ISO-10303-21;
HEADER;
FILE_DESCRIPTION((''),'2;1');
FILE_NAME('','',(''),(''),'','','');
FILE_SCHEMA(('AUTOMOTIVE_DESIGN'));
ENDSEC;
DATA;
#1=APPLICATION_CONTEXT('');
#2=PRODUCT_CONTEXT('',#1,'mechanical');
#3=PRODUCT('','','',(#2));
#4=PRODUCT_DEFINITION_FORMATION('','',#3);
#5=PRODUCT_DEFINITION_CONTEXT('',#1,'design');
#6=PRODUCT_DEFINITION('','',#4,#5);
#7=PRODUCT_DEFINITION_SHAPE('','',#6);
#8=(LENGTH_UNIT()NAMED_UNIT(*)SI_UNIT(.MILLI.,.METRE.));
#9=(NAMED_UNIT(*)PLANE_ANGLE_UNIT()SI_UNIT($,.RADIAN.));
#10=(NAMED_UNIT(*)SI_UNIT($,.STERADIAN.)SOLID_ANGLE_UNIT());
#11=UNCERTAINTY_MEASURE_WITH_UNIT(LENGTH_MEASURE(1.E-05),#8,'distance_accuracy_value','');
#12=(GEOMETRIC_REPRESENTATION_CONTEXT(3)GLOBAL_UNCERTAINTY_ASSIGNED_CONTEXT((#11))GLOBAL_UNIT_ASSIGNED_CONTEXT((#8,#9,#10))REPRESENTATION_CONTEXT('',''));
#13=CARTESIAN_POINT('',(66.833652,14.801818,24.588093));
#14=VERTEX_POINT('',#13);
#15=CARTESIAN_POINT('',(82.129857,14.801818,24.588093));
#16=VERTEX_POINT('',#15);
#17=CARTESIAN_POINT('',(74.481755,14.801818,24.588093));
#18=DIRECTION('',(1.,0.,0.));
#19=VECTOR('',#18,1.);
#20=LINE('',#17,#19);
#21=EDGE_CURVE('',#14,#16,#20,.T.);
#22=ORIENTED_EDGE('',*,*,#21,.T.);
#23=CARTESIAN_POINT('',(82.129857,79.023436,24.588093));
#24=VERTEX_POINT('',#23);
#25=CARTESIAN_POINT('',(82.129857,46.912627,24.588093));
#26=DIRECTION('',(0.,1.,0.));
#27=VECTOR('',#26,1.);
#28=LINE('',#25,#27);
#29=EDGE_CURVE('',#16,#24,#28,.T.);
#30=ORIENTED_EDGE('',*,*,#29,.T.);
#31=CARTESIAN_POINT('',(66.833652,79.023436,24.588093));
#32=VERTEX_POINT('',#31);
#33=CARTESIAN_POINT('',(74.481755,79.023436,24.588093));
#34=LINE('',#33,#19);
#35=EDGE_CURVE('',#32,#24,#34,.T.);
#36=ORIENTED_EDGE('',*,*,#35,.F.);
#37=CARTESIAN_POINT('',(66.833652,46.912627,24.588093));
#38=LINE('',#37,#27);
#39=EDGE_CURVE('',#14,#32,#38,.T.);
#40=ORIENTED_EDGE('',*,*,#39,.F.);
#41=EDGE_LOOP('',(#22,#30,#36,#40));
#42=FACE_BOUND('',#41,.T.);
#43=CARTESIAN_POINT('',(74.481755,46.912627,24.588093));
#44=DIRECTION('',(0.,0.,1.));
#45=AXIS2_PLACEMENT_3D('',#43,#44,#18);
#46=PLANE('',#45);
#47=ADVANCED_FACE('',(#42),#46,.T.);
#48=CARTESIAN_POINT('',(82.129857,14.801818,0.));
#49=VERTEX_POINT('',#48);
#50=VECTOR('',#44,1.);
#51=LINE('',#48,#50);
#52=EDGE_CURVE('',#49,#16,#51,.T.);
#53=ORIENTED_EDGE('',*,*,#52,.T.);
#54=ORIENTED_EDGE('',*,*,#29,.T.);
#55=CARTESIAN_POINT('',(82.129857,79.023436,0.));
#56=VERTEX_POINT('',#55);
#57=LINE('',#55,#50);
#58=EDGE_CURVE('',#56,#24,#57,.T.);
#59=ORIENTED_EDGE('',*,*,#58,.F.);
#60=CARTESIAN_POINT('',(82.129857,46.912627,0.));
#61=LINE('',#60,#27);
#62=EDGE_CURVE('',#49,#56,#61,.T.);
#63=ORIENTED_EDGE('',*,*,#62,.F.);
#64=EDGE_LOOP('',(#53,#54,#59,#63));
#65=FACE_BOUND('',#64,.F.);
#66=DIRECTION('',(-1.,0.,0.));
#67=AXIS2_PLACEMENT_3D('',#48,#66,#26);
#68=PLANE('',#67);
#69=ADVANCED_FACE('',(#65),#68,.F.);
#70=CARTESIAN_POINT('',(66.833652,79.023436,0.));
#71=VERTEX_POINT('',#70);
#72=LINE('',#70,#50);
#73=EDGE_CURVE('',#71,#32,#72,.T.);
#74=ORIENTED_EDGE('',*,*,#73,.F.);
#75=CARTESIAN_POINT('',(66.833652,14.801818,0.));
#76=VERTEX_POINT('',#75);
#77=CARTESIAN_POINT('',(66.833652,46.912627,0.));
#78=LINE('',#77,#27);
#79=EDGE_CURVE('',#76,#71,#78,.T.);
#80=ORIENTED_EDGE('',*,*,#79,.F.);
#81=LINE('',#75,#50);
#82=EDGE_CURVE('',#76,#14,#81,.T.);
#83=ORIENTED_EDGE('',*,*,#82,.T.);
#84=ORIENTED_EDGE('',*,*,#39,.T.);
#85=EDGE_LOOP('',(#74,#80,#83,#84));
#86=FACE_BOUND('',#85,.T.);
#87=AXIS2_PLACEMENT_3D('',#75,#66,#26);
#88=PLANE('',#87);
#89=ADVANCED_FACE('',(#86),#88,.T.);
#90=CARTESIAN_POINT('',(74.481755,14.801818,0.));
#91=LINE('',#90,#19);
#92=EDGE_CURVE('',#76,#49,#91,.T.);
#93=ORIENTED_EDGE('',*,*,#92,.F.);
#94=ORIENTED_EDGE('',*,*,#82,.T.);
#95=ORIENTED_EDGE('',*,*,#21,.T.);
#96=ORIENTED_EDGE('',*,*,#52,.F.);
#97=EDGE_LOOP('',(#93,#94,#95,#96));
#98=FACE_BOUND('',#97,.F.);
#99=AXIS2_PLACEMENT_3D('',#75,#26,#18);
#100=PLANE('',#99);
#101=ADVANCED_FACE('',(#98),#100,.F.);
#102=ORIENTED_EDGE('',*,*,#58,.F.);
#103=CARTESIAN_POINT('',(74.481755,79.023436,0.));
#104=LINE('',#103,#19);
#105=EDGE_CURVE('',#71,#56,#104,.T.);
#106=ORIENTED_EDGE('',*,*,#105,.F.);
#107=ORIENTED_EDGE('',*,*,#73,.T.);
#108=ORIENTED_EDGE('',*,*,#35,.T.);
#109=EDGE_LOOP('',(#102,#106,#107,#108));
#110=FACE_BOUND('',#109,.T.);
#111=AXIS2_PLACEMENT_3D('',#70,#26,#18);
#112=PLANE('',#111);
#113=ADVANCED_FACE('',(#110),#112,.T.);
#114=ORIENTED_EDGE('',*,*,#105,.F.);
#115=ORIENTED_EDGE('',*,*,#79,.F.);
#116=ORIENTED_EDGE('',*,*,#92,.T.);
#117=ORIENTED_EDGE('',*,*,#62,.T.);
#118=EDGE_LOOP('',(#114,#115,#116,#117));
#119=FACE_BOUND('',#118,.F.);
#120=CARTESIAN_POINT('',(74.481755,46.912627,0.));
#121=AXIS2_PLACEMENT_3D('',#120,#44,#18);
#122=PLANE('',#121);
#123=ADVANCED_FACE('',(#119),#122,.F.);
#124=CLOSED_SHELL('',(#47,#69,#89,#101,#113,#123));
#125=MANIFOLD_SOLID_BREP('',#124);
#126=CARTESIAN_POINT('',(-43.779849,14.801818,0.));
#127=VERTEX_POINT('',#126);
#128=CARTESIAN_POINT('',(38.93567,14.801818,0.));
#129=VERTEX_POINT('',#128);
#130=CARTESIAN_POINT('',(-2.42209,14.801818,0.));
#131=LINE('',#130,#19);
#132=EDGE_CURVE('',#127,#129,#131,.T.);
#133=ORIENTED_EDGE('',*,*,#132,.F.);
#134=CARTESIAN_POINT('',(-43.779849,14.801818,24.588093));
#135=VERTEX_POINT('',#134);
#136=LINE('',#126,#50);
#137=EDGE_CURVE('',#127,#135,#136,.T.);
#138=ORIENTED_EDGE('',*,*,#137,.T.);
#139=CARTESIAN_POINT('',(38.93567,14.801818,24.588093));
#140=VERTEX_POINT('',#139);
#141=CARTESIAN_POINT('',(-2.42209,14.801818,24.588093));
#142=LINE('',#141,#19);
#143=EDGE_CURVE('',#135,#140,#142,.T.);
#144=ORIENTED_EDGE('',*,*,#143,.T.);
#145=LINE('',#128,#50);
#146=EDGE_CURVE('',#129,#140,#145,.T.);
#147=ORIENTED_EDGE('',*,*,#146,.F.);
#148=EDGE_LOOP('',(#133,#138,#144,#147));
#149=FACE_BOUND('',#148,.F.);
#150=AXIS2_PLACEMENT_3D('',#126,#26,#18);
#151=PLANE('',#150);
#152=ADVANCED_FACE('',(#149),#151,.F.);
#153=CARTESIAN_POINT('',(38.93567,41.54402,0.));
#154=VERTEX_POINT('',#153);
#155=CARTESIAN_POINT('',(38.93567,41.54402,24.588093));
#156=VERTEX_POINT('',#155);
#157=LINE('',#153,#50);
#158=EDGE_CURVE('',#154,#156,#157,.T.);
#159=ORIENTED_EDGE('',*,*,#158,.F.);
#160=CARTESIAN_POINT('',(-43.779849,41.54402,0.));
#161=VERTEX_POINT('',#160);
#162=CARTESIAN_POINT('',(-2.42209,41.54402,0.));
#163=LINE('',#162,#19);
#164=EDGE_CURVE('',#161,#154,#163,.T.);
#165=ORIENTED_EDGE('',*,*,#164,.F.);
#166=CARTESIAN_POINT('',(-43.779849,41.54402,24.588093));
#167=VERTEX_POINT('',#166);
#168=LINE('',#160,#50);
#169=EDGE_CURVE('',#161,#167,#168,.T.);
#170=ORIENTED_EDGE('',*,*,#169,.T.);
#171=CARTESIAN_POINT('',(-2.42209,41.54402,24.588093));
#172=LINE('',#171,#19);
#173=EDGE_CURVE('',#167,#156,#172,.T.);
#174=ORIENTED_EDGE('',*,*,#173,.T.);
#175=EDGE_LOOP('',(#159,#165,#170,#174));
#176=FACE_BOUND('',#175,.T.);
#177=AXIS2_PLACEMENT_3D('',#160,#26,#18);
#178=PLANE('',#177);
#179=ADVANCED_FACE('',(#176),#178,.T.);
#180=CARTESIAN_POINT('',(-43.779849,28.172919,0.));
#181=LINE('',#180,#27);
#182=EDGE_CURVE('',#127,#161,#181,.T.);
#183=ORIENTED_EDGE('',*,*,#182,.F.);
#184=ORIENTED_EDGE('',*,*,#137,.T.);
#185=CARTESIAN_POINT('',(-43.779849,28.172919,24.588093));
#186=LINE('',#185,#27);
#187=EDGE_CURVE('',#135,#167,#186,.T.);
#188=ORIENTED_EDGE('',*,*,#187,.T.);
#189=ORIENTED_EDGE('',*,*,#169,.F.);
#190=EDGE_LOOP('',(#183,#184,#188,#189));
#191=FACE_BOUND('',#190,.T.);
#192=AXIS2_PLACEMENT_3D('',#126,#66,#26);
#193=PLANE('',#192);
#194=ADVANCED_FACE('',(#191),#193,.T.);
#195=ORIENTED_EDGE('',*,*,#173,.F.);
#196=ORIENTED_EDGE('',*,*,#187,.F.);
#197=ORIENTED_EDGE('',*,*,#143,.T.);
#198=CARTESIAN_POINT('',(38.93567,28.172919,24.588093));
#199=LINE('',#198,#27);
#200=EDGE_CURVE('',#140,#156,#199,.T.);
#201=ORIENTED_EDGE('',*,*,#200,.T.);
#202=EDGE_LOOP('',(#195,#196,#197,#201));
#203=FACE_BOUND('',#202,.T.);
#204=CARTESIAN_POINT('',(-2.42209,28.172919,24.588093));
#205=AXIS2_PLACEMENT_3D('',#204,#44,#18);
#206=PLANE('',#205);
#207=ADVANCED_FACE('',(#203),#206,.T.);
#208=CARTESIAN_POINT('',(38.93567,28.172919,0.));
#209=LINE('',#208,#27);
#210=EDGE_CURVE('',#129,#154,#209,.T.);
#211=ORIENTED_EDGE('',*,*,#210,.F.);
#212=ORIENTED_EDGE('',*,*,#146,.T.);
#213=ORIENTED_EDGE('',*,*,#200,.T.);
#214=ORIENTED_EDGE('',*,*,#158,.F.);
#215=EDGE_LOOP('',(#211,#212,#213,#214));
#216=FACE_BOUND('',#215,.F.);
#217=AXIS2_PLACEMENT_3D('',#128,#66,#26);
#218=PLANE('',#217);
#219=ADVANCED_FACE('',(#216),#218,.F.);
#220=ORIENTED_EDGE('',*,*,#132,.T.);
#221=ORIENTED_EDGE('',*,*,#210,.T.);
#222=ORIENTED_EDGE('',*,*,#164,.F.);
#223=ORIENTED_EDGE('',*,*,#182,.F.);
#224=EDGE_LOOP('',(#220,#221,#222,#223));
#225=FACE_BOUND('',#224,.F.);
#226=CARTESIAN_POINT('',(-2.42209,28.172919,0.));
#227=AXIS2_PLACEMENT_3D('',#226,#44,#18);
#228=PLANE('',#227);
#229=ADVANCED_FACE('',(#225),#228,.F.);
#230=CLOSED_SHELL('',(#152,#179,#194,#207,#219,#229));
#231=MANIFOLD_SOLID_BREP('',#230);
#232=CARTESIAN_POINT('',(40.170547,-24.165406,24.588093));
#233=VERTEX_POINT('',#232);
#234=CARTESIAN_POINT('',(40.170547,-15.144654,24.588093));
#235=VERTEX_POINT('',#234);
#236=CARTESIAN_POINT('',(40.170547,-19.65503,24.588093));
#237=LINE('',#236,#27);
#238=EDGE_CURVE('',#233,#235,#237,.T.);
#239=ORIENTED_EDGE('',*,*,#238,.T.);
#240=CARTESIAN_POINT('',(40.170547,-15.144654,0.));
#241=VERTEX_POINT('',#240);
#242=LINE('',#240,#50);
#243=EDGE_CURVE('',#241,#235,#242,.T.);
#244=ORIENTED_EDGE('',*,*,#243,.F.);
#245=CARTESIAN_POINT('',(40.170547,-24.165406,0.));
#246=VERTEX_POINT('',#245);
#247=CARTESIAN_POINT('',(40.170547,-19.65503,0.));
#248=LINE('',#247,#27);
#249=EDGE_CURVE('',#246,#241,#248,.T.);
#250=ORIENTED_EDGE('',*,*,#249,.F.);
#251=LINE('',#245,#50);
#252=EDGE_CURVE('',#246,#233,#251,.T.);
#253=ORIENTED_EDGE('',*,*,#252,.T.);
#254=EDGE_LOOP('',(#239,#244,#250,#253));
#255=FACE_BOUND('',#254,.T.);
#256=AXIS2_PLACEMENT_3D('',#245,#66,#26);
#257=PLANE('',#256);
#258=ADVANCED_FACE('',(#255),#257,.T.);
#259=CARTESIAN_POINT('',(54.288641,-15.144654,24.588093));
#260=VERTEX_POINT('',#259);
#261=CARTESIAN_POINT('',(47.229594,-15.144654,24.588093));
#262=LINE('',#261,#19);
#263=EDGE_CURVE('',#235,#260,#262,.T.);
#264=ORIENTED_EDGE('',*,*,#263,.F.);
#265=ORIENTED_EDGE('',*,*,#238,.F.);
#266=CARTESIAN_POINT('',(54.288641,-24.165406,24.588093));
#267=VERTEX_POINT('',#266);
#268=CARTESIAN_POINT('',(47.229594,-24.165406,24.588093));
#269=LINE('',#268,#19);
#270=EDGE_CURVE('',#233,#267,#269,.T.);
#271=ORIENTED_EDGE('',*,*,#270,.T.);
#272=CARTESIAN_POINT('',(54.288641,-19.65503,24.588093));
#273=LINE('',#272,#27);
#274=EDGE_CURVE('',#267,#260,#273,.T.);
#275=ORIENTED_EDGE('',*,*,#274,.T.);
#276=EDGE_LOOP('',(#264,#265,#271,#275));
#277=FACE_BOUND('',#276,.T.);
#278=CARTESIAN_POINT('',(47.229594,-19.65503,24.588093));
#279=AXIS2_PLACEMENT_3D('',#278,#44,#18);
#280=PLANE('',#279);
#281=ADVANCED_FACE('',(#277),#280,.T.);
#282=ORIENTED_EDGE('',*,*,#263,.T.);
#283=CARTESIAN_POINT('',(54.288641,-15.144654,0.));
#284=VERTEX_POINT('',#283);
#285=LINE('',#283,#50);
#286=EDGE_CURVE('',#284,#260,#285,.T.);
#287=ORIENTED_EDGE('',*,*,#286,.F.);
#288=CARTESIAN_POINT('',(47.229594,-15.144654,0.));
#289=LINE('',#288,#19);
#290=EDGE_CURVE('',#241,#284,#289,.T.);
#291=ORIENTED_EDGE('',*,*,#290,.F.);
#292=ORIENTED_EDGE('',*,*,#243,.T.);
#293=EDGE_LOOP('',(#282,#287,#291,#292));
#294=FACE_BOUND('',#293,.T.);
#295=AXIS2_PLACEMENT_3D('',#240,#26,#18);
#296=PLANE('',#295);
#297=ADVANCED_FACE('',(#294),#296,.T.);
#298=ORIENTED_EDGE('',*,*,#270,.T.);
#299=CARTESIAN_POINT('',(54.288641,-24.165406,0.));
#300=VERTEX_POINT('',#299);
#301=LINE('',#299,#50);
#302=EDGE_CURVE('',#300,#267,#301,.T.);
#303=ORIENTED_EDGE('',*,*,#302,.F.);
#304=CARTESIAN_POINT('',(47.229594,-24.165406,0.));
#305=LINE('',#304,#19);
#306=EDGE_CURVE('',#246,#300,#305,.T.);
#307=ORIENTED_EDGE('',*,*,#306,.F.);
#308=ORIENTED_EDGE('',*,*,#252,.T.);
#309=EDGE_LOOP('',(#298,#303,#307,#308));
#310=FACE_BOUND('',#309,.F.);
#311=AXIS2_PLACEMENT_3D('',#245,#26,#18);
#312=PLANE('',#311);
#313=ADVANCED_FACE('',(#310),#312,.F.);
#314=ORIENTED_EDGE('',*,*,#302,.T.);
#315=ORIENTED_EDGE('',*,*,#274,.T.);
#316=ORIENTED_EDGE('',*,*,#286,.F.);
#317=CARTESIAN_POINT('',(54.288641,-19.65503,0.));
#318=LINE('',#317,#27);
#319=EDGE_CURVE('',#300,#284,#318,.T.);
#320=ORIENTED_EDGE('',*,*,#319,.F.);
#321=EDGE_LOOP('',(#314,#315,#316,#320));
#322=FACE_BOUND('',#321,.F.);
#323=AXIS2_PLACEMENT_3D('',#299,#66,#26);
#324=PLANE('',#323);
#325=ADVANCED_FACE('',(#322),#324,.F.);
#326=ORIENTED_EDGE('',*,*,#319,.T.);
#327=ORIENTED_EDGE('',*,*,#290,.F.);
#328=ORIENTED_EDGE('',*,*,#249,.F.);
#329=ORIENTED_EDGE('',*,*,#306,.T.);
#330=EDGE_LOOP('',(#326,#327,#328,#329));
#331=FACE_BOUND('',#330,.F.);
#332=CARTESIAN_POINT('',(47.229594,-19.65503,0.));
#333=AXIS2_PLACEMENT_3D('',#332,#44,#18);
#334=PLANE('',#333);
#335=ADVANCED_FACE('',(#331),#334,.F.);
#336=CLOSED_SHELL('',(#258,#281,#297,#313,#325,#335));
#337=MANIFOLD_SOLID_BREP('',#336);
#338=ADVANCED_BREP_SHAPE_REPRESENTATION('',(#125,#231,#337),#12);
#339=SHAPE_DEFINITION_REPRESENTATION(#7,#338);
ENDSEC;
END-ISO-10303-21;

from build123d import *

# Parameters (mm, degrees)
F0_W     = 82.715519
F0_H     = 26.742202
F0_W_2   = 15.296205
F0_H_2   = 64.221618
F0_W_3   = 14.118094
F0_H_3   = 9.020753
F1_DEPTH = 24.588093


with BuildPart() as f1:
    # F0 (on Top) → F1 (new body)
    with BuildSketch(Plane.XY):
        with Locations((-2.42209, 28.172919)):
            Rectangle(F0_W, F0_H)
        with Locations((74.481755, 46.912627)):
            Rectangle(F0_W_2, F0_H_2)
        with Locations((47.229594, -19.65503)):
            Rectangle(F0_W_3, F0_H_3)
    extrude(amount=F1_DEPTH)


solid = f1.part
